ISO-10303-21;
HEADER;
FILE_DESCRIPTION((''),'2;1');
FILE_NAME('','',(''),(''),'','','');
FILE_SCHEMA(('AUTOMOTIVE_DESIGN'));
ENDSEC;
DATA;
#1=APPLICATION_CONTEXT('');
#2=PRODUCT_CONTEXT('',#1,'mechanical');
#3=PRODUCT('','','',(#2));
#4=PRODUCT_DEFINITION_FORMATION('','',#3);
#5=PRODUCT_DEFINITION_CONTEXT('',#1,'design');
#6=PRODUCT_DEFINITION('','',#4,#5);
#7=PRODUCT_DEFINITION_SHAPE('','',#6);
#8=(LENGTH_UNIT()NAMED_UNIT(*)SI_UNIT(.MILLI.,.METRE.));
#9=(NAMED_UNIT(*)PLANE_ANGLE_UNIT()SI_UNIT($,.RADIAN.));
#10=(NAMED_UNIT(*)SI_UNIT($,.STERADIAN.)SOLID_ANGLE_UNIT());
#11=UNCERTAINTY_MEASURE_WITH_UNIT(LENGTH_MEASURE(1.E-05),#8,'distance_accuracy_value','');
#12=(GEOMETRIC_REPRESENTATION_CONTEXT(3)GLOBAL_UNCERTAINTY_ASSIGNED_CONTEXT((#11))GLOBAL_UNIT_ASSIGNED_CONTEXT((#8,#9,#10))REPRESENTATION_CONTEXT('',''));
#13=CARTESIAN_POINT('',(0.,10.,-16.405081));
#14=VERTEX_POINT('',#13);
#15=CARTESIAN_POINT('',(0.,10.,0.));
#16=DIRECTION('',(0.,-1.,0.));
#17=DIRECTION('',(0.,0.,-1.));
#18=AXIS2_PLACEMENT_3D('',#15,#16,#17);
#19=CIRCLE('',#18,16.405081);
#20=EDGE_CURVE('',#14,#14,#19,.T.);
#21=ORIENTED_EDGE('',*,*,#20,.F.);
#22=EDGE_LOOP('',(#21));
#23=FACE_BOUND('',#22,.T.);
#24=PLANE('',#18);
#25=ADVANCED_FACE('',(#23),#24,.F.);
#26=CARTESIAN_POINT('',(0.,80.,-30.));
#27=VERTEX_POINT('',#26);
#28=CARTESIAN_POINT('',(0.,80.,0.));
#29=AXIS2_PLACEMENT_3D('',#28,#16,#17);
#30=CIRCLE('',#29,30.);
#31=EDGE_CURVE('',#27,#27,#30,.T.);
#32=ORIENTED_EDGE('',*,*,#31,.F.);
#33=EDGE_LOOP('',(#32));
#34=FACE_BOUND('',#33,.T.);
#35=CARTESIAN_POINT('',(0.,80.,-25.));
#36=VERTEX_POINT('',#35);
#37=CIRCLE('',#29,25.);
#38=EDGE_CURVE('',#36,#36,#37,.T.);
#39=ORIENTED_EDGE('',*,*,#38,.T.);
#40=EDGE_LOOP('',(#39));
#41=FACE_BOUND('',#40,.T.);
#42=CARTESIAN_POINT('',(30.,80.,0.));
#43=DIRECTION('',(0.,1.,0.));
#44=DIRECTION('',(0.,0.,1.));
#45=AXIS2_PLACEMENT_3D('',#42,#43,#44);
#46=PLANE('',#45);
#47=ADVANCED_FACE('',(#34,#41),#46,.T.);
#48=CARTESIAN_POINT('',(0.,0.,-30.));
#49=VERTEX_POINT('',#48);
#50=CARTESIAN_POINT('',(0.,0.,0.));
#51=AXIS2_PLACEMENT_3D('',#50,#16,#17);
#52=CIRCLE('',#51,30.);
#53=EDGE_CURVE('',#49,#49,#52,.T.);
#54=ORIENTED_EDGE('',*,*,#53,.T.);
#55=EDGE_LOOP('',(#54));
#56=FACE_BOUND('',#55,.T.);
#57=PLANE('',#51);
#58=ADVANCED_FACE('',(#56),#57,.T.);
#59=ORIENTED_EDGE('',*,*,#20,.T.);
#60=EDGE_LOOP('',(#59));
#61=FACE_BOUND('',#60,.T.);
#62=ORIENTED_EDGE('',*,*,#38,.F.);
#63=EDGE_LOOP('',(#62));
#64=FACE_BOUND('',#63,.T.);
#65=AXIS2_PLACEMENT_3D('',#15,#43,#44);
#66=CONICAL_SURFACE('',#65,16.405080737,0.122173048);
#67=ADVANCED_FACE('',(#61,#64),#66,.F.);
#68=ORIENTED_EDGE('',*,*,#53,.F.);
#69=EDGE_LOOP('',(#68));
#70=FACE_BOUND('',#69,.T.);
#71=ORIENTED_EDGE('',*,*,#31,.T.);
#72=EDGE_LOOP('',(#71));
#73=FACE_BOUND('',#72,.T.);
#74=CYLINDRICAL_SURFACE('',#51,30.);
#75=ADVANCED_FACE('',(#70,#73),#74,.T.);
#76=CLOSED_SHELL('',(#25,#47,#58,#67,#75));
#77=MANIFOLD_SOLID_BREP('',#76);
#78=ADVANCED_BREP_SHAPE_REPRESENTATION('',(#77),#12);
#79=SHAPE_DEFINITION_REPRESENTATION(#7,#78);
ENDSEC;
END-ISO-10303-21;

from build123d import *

# Parameters (mm, degrees)
SKETCH1_W = 30
SKETCH1_H = 80


with BuildPart() as part:
    # Sketch1 → Revolve1 (revolve)
    with BuildSketch(Plane.XY, mode=Mode.PRIVATE) as revolve1_sk:
        with Locations((15, 40)):
            Rectangle(SKETCH1_W, SKETCH1_H)
    revolve(revolve1_sk.sketch.rotate(Axis((0, 0, 0), (0, 1, 0)), 90), axis=Axis((0, 0, 0), (0, 1, 0)))

    # Sketch3 → Cut-Revolve1 (revolve, cut)
    with BuildSketch(Plane.XY, mode=Mode.PRIVATE) as cut_revolve1_sk:
        Polygon((0, 10), (16.405080737, 10), (25, 80), (0, 80), align=None)
    revolve(cut_revolve1_sk.sketch.rotate(Axis((0, 0, 0), (0, 1, 0)), 90), axis=Axis((0, 0, 0), (0, 1, 0)), mode=Mode.SUBTRACT)


solid = part.part
